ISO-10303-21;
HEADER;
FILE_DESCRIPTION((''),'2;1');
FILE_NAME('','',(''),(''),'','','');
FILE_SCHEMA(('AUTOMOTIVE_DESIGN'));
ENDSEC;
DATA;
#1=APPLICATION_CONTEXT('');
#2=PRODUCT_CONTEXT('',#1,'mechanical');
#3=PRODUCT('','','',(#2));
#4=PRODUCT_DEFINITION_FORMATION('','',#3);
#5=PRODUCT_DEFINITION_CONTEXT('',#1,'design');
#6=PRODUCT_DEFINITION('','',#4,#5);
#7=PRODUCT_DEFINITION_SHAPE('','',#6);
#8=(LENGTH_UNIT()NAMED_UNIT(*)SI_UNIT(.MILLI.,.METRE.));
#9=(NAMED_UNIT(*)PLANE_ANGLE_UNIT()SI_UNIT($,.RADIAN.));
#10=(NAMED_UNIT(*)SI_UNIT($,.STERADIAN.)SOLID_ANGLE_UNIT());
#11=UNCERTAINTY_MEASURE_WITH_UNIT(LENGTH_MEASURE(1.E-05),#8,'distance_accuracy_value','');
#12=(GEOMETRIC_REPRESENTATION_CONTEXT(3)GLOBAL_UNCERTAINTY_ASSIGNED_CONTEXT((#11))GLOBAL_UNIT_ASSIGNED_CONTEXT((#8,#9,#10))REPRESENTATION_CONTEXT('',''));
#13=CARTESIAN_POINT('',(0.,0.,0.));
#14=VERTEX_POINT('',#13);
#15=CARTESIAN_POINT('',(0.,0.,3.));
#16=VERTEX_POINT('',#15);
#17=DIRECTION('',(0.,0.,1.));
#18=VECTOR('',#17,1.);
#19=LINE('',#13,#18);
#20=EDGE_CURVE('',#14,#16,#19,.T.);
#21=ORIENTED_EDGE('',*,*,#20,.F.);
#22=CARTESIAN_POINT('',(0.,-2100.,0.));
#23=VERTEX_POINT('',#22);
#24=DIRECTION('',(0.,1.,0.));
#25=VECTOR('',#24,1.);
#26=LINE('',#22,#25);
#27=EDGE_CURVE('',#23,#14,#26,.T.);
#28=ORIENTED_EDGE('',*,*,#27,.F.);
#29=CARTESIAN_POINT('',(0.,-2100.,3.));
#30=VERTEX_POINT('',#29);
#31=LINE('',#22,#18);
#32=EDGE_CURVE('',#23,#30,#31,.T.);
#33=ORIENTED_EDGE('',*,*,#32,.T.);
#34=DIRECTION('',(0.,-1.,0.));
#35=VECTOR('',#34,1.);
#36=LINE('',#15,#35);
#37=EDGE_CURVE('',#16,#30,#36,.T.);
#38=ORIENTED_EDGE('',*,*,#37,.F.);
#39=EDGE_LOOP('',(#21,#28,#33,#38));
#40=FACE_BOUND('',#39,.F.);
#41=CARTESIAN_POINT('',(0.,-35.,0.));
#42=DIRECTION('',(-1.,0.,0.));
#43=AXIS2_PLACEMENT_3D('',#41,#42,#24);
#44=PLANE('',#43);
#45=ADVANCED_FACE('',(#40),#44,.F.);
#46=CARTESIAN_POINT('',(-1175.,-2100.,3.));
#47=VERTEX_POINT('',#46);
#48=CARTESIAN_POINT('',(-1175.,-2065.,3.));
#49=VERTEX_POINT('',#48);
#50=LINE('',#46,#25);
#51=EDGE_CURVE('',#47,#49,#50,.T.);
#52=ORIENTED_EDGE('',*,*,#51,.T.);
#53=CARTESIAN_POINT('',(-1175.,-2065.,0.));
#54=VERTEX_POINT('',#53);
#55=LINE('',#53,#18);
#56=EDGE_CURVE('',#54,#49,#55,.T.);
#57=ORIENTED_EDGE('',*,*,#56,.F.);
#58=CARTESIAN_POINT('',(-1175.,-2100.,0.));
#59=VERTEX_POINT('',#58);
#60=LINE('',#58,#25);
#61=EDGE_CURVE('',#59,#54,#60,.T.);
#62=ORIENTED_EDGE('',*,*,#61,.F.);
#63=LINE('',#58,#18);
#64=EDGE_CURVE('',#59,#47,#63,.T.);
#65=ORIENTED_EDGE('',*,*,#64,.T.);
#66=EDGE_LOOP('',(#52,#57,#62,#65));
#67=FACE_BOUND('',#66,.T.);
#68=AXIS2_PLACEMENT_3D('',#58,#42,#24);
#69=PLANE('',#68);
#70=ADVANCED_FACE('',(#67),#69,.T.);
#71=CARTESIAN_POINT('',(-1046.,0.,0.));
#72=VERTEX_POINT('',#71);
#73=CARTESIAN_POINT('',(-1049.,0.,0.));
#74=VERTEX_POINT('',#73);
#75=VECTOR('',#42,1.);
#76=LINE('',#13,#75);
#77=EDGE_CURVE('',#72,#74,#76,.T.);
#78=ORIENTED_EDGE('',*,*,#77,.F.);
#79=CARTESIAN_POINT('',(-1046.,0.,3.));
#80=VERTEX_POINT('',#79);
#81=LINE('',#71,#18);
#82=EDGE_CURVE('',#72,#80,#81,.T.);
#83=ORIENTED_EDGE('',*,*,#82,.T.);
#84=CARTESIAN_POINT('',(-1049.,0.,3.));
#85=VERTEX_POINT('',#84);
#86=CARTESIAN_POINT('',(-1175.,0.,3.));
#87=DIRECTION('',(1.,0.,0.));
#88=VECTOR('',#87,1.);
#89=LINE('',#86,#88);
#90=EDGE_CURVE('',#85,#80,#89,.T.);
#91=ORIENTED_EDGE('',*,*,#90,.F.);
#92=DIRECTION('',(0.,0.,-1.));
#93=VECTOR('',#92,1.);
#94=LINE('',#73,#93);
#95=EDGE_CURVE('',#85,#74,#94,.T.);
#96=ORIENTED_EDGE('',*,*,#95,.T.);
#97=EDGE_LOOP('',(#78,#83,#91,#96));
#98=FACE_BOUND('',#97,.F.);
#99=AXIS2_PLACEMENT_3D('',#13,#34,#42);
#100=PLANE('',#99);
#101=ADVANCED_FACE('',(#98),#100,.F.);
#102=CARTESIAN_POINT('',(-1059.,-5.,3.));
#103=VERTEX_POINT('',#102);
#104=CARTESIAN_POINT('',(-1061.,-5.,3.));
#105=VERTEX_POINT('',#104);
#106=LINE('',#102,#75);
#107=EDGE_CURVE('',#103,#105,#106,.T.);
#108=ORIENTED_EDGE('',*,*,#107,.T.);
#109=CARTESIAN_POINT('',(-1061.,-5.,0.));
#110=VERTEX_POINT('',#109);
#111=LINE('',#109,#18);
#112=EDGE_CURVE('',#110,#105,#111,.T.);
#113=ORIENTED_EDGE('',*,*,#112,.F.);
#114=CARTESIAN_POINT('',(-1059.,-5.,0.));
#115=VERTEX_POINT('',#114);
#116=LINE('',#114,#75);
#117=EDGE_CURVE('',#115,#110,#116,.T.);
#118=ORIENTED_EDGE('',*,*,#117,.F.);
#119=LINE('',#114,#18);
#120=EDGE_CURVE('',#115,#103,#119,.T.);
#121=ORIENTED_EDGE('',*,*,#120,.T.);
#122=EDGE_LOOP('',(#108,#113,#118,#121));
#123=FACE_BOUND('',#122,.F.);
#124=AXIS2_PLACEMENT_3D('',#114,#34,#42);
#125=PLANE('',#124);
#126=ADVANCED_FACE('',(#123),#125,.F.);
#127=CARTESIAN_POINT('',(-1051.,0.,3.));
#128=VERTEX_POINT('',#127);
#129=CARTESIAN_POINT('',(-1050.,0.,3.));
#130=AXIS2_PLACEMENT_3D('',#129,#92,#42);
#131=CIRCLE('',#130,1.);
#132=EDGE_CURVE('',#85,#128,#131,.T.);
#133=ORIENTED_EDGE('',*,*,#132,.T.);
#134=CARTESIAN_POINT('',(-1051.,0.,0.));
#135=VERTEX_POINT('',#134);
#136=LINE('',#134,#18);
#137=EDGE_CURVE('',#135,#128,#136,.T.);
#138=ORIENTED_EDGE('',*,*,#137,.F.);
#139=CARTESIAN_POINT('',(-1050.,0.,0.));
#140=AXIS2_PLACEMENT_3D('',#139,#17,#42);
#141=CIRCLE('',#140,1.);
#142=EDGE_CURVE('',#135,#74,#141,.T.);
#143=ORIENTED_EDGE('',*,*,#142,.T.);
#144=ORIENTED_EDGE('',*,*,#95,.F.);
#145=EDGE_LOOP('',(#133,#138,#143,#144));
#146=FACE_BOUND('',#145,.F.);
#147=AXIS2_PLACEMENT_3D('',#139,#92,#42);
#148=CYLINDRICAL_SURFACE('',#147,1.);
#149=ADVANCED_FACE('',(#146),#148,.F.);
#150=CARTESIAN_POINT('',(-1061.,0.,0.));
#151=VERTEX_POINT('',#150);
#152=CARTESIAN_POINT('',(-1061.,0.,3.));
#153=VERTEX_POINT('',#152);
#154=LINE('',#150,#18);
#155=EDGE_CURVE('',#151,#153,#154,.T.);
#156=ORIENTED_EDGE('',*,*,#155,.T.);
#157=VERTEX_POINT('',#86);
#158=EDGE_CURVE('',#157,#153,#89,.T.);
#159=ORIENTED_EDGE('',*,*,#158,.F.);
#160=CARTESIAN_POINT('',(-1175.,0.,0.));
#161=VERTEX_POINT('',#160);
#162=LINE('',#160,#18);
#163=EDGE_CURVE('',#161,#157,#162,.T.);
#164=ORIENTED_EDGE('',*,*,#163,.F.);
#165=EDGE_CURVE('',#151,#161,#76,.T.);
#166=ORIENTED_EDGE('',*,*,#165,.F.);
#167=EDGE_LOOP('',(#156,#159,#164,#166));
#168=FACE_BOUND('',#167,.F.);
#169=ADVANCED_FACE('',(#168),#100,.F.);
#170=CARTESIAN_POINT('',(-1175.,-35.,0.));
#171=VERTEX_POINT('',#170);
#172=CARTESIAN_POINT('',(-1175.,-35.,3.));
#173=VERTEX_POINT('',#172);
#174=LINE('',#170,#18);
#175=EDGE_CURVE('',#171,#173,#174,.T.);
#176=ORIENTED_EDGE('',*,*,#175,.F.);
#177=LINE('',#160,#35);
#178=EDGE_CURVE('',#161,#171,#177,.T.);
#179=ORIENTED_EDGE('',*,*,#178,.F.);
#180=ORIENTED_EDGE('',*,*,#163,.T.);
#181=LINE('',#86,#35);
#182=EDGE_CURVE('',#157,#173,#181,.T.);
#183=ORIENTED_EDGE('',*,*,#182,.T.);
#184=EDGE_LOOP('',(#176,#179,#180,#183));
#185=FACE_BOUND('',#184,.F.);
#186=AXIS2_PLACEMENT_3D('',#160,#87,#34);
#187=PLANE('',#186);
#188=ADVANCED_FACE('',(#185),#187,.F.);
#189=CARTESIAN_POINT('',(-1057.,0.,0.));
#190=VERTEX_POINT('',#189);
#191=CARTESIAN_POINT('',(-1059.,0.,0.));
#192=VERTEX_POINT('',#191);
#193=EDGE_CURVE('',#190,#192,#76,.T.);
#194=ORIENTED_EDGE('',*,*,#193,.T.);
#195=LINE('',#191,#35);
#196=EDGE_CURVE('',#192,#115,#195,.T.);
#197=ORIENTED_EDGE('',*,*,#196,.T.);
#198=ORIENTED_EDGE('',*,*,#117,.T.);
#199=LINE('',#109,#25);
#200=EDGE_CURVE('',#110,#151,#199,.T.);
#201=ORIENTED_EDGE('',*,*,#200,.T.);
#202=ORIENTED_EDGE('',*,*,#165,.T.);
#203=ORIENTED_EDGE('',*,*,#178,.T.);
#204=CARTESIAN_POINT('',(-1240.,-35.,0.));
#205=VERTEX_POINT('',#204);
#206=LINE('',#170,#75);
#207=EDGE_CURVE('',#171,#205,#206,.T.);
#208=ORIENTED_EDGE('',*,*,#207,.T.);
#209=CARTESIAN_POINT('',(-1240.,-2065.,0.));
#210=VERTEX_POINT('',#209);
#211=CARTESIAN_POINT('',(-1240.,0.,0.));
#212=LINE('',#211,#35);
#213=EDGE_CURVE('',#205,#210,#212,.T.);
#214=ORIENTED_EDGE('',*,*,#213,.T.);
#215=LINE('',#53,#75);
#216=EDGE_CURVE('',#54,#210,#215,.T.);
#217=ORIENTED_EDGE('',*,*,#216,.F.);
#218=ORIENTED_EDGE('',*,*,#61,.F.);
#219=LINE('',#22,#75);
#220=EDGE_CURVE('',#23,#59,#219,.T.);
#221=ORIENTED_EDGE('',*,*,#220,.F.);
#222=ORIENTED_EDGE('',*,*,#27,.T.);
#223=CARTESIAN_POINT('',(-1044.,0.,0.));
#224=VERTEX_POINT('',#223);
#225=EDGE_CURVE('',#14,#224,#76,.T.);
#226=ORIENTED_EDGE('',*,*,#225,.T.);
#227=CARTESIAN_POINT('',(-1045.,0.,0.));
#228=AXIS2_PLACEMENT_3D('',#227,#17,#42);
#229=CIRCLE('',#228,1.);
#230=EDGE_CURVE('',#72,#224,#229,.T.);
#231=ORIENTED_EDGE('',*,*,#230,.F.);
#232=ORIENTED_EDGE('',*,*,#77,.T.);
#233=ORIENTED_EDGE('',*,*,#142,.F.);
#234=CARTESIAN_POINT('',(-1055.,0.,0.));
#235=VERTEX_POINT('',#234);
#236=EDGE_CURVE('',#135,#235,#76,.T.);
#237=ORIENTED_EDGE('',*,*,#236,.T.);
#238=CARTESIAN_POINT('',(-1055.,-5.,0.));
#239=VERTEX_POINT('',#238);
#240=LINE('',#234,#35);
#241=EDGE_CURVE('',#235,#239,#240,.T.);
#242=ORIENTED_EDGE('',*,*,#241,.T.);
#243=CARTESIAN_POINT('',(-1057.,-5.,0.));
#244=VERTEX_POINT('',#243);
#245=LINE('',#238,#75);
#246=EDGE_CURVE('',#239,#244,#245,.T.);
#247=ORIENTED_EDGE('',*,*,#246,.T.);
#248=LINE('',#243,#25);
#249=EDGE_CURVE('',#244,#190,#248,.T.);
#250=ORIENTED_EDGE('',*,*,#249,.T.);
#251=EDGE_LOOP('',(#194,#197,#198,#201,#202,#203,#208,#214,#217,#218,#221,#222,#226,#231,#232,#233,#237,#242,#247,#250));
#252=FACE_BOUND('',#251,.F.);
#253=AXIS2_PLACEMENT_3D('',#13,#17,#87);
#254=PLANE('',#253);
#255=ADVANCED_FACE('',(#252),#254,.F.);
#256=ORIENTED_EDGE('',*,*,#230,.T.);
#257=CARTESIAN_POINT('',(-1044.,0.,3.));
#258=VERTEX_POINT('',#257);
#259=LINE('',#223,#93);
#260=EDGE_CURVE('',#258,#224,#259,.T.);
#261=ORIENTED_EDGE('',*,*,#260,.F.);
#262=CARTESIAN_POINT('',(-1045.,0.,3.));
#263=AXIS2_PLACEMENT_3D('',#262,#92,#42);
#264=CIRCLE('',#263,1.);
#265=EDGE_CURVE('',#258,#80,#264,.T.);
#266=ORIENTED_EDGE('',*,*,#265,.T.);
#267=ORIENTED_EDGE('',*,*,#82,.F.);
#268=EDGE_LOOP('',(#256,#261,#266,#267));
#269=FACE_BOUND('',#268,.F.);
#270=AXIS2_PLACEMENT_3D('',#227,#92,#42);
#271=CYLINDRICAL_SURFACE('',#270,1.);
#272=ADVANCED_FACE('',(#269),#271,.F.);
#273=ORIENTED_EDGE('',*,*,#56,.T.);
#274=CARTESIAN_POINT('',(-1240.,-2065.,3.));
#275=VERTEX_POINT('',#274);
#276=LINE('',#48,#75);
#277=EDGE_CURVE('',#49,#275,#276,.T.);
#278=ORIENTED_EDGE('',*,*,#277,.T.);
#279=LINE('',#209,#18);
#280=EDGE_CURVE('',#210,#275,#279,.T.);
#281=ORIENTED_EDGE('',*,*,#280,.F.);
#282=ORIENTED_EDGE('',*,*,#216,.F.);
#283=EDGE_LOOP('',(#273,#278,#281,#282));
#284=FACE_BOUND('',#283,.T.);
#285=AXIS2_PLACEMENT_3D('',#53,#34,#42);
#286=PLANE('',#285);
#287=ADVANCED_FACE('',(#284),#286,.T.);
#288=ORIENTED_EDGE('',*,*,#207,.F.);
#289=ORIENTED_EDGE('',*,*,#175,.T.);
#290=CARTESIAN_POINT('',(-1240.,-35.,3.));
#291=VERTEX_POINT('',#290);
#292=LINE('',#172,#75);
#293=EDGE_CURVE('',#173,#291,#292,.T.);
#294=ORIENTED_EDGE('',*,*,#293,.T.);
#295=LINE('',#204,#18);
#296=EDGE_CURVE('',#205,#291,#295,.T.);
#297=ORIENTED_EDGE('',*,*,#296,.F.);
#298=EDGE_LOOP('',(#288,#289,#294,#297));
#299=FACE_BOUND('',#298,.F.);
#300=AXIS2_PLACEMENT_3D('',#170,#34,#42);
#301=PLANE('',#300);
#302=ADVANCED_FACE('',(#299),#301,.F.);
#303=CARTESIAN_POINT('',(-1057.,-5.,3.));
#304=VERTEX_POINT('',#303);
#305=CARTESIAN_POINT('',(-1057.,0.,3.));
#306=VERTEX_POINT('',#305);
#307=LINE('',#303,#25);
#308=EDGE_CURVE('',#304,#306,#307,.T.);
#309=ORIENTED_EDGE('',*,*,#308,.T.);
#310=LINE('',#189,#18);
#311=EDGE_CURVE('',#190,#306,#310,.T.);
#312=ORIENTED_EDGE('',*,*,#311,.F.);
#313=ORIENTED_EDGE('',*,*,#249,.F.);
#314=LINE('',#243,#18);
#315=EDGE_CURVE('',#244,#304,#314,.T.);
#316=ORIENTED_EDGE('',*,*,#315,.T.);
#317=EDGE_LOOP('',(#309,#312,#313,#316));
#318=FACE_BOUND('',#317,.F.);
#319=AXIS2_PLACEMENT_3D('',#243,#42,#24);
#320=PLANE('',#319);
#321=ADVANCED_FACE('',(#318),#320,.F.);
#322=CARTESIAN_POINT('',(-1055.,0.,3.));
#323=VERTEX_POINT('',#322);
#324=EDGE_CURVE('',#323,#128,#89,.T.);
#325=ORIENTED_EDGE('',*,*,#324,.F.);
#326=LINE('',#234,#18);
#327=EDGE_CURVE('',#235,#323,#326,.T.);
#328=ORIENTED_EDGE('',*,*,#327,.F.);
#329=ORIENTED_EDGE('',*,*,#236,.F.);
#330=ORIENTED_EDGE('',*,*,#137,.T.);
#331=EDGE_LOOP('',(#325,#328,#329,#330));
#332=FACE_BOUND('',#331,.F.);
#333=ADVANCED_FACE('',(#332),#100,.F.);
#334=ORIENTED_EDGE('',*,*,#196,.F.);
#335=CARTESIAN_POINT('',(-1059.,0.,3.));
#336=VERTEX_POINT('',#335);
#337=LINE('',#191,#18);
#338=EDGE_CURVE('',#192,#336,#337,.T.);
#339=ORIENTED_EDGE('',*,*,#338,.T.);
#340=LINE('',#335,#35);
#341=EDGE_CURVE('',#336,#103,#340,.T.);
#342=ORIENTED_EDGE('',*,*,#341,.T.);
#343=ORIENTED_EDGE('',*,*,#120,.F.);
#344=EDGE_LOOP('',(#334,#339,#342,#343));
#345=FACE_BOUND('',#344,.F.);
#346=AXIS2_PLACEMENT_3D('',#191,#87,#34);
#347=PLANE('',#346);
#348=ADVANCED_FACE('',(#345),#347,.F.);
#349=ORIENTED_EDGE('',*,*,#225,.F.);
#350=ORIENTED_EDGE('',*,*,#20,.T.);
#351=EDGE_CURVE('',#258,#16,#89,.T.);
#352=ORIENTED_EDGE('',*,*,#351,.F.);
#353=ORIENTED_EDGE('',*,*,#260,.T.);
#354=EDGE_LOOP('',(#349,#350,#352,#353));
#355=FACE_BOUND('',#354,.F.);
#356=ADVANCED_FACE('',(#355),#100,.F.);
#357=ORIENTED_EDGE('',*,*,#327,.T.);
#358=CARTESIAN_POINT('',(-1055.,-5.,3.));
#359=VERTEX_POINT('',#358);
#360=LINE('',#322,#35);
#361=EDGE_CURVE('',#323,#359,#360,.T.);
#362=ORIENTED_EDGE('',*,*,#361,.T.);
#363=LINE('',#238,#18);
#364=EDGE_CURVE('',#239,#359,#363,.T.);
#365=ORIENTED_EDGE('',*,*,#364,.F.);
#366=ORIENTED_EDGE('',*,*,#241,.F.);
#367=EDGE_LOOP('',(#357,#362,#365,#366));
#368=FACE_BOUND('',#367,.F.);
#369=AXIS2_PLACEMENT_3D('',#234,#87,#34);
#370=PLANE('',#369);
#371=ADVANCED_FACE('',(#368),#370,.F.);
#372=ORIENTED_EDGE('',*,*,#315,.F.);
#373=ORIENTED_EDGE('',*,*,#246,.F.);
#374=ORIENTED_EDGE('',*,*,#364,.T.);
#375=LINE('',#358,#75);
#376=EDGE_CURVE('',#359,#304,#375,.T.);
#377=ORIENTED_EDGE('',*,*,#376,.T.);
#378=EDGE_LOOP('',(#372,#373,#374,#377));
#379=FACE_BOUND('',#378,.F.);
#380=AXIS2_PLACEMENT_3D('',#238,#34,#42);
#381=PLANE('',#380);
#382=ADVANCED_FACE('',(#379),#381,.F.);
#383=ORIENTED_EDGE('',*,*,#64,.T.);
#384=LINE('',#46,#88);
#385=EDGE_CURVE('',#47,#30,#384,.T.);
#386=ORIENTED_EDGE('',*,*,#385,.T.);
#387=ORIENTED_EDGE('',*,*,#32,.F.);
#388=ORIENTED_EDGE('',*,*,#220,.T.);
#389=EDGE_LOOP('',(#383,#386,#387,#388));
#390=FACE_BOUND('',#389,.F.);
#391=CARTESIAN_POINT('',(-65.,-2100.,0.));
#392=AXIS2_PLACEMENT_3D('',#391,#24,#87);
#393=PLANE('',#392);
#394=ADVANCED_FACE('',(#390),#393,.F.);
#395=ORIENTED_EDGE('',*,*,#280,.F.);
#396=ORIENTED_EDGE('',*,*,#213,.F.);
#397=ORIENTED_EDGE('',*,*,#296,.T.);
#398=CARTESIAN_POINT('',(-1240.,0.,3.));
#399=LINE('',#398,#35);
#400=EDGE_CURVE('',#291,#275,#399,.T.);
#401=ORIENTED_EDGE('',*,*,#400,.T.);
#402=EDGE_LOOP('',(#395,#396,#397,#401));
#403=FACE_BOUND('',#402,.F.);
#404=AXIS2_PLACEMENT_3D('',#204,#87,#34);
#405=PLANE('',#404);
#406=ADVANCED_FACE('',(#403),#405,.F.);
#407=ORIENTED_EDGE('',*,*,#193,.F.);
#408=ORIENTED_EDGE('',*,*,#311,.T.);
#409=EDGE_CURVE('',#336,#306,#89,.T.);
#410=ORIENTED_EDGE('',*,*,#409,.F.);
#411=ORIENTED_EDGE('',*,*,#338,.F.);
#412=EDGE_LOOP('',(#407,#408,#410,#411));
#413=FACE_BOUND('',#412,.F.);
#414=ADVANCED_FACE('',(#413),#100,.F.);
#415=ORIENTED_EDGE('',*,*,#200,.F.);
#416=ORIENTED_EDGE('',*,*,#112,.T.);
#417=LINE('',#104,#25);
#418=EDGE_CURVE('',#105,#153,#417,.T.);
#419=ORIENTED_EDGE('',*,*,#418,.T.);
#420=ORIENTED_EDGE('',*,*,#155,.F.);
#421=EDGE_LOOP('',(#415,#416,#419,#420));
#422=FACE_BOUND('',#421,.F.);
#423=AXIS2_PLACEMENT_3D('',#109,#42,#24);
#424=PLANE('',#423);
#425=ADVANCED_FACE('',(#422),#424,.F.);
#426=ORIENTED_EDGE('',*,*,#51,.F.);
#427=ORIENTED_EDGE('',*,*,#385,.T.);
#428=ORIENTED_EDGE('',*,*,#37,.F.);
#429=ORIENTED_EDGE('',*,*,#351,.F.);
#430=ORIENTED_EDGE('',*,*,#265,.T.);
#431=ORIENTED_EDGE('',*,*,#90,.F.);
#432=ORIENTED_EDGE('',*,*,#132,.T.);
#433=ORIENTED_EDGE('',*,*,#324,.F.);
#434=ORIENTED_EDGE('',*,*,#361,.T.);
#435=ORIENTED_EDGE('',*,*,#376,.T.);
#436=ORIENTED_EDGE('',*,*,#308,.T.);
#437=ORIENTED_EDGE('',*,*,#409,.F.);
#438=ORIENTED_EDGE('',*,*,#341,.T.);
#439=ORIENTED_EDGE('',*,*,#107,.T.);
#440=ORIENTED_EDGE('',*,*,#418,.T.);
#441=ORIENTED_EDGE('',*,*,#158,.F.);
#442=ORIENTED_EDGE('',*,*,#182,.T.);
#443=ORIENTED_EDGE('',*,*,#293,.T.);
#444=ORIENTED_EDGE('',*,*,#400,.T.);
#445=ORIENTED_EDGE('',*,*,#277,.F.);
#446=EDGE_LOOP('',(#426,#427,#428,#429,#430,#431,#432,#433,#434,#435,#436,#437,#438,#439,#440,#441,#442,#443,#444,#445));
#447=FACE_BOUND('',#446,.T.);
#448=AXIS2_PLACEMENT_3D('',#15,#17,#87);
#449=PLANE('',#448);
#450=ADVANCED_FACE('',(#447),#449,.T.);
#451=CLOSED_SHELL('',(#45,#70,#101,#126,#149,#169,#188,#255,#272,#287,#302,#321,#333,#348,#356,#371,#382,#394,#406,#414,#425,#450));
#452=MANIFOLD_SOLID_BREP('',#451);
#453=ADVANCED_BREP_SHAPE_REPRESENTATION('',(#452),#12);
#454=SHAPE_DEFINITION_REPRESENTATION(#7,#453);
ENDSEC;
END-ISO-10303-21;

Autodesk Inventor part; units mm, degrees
ref_plane "YZ Plane" through (0, 0, 0) normal (1, 0, 0) x (0, 1, 0)
ref_plane "XZ Plane" through (0, 0, 0) normal (0, 1, 0) x (-1, 0, 0)
ref_plane "XY Plane" through (0, 0, 0) normal (0, 0, 1) x (1, 0, 0)
sketch "Sketch1" plane through (0, 0, 0) normal (0, 0, 1) x (1, 0, 0)
  line L0 (0, 0) -> (-1240, 0)
  line L1 (-1240, 0) -> (-1240, -2100)
  line L2 (-1240, -2100) -> (0, -2100)
  line L3 (0, -2100) -> (0, 0)
  line L4 (0, 0) -> (-65, 0)
  line L5 (-65, 0) -> (-65, -35)
  line L6 (-65, -35) -> (0, -35)
  line L7 (0, -35) -> (0, 0)
  line L8 (0, -2100) -> (-65, -2100)
  line L9 (-65, -2100) -> (-65, -2065)
  line L10 (-65, -2065) -> (0, -2065)
  line L11 (0, -2065) -> (0, -2100)
  line L12 (-1240, 0) -> (-1175, 0)
  line L13 (-1175, 0) -> (-1175, -35)
  line L14 (-1175, -35) -> (-1240, -35)
  line L15 (-1240, -35) -> (-1240, 0)
  line L16 (-1240, -2100) -> (-1175, -2100)
  line L17 (-1175, -2100) -> (-1175, -2065)
  line L18 (-1175, -2065) -> (-1240, -2065)
  line L19 (-1240, -2065) -> (-1240, -2100)
  line L20 (-1125, -2100) -> (-1035, -2100)
  line L21 (-1035, -2100) -> (-1035, -2065)
  line L22 (-1035, -2065) -> (-1125, -2065)
  line L23 (-1125, -2065) -> (-1125, -2100)
  line L24 (-1125, 0) -> (-1035, 0)
  line L25 (-1035, 0) -> (-1035, -35)
  line L26 (-1035, -35) -> (-1125, -35)
  line L27 (-1125, -35) -> (-1125, 0)
  point P0 (0, -35)
  point P1 (-65, 0)
  point P2 (-65, -2100)
  point P3 (0, -2065)
  point P4 (-1035, -2100)
  point P5 (-1035, 0)
  point P6 (-1175, 0)
  point P7 (-1175, -2100)
  dimension "d22" = 1240
  dimension "d23" = 2100
  dimension "d24" = 65
  dimension "d25" = 35
  dimension "d28" = 90
  dimension "d29" = 970
extrude "Plate1" add sketch "Sketch1" along normal blind 3 contours L3 L6 L5 L0 | L5 L6 L3 L10 L9 L2 L21 L22 L23 L17 L18 L1 L14 L13 L0 L27 L26 L25 | L25 L26 L27 L0 | L3 L2 L9 L10 | L2 L23 L22 L21
sketch "Sketch5" plane through (0, 0, 0) normal (0, 0, -1) x (-1, 0, 0)
  line L0 (1175, 0) -> (1075, 0) construction
  line L1 (1075, 0) -> (1075, -2) construction
  line L2 (1075, -2) -> (1175, -2) construction
  line L3 (1175, -2) -> (1175, 0) construction
  line L4 (1075, 0) -> (1073.4752, -4.6556)
  arc A0 (1072.5248, -4.6556) -> (1073.4752, -4.6556) centre (1073, -4.5) ccw
  line L5 (1072.5248, -4.6556) -> (1071, 0)
  line L6 (1071, 0) -> (1075, 0)
  line L7 (1071, 0) -> (1069, 0) construction
  line L8 (1069, 0) -> (1067, 0)
  line L9 (1067, 0) -> (1067, -5)
  line L10 (1067, -5) -> (1069, -5)
  line L11 (1069, -5) -> (1069, 0)
  line L12 (1067, 0) -> (1065, 0) construction
  line L13 (1065, 0) -> (1063, 0)
  line L14 (1063, 0) -> (1063, -5)
  line L15 (1063, -5) -> (1065, -5)
  line L16 (1065, -5) -> (1065, 0)
  line L17 (1063, 0) -> (1061, 0) construction
  line L18 (1061, 0) -> (1059, 0)
  line L19 (1059, 0) -> (1059, -5)
  line L20 (1059, -5) -> (1061, -5)
  line L21 (1061, -5) -> (1061, 0)
  line L22 (1059, 0) -> (1057, 0) construction
  line L23 (1057, 0) -> (1055, 0)
  line L24 (1055, 0) -> (1055, -5)
  line L25 (1055, -5) -> (1057, -5)
  line L26 (1057, -5) -> (1057, 0)
  line L27 (1055, 0) -> (1050, 0) construction
  line L28 (1050, 0) -> (1045, 0) construction
  circle A1 centre (1050, 0) radius 1
  circle A2 centre (1045, 0) radius 1
  line L29 (0, 0) -> (1175, 0) projected
  point P0 (1175, 0)
  point P1 (1073, 0)
  dimension "d30" = 100
  dimension "d31" = 2
  dimension "d32" = 5
  dimension "d33" = 4
  dimension "d34" = 0.5
  dimension "d35" = 5
  dimension "d36" = 5
  dimension "d37" = 5
  dimension "d38" = 2
extrude "Cut1" cut sketch "Sketch5" against normal blind 3 contours A2 L29 | L29 A2 | A1 L29 | L29 A1 | L26 L25 L24 L23 | L21 L20 L19 L18
equation "\"d33\" = 2 * d31"
equation "\"d34\" = 0.25 * d31"
equation "\"d38\" = d31"
equation "\"d39\" = Thickness"
equation "\"d2\" = Thickness"
equation "\"BendReliefWidth\" = Thickness"
equation "\"BendReliefDepth\" = 0.5 * Thickness"
equation "\"CornerReliefSize\" = 4 * Thickness"
equation "\"MinimumRemnant\" = 2 * Thickness"
equation "\"TransitionRadius\" = BendRadius"
equation "\"JacobiRadiusSize\" = BendRadius"
equation "\"GapSize\" = Thickness"
equation "\"Thickness\" = 3"
equation "\"BendRadius\" = 5"
properties part number "GnG frame 2 floor sheet 6" material "Stainless Steel"
